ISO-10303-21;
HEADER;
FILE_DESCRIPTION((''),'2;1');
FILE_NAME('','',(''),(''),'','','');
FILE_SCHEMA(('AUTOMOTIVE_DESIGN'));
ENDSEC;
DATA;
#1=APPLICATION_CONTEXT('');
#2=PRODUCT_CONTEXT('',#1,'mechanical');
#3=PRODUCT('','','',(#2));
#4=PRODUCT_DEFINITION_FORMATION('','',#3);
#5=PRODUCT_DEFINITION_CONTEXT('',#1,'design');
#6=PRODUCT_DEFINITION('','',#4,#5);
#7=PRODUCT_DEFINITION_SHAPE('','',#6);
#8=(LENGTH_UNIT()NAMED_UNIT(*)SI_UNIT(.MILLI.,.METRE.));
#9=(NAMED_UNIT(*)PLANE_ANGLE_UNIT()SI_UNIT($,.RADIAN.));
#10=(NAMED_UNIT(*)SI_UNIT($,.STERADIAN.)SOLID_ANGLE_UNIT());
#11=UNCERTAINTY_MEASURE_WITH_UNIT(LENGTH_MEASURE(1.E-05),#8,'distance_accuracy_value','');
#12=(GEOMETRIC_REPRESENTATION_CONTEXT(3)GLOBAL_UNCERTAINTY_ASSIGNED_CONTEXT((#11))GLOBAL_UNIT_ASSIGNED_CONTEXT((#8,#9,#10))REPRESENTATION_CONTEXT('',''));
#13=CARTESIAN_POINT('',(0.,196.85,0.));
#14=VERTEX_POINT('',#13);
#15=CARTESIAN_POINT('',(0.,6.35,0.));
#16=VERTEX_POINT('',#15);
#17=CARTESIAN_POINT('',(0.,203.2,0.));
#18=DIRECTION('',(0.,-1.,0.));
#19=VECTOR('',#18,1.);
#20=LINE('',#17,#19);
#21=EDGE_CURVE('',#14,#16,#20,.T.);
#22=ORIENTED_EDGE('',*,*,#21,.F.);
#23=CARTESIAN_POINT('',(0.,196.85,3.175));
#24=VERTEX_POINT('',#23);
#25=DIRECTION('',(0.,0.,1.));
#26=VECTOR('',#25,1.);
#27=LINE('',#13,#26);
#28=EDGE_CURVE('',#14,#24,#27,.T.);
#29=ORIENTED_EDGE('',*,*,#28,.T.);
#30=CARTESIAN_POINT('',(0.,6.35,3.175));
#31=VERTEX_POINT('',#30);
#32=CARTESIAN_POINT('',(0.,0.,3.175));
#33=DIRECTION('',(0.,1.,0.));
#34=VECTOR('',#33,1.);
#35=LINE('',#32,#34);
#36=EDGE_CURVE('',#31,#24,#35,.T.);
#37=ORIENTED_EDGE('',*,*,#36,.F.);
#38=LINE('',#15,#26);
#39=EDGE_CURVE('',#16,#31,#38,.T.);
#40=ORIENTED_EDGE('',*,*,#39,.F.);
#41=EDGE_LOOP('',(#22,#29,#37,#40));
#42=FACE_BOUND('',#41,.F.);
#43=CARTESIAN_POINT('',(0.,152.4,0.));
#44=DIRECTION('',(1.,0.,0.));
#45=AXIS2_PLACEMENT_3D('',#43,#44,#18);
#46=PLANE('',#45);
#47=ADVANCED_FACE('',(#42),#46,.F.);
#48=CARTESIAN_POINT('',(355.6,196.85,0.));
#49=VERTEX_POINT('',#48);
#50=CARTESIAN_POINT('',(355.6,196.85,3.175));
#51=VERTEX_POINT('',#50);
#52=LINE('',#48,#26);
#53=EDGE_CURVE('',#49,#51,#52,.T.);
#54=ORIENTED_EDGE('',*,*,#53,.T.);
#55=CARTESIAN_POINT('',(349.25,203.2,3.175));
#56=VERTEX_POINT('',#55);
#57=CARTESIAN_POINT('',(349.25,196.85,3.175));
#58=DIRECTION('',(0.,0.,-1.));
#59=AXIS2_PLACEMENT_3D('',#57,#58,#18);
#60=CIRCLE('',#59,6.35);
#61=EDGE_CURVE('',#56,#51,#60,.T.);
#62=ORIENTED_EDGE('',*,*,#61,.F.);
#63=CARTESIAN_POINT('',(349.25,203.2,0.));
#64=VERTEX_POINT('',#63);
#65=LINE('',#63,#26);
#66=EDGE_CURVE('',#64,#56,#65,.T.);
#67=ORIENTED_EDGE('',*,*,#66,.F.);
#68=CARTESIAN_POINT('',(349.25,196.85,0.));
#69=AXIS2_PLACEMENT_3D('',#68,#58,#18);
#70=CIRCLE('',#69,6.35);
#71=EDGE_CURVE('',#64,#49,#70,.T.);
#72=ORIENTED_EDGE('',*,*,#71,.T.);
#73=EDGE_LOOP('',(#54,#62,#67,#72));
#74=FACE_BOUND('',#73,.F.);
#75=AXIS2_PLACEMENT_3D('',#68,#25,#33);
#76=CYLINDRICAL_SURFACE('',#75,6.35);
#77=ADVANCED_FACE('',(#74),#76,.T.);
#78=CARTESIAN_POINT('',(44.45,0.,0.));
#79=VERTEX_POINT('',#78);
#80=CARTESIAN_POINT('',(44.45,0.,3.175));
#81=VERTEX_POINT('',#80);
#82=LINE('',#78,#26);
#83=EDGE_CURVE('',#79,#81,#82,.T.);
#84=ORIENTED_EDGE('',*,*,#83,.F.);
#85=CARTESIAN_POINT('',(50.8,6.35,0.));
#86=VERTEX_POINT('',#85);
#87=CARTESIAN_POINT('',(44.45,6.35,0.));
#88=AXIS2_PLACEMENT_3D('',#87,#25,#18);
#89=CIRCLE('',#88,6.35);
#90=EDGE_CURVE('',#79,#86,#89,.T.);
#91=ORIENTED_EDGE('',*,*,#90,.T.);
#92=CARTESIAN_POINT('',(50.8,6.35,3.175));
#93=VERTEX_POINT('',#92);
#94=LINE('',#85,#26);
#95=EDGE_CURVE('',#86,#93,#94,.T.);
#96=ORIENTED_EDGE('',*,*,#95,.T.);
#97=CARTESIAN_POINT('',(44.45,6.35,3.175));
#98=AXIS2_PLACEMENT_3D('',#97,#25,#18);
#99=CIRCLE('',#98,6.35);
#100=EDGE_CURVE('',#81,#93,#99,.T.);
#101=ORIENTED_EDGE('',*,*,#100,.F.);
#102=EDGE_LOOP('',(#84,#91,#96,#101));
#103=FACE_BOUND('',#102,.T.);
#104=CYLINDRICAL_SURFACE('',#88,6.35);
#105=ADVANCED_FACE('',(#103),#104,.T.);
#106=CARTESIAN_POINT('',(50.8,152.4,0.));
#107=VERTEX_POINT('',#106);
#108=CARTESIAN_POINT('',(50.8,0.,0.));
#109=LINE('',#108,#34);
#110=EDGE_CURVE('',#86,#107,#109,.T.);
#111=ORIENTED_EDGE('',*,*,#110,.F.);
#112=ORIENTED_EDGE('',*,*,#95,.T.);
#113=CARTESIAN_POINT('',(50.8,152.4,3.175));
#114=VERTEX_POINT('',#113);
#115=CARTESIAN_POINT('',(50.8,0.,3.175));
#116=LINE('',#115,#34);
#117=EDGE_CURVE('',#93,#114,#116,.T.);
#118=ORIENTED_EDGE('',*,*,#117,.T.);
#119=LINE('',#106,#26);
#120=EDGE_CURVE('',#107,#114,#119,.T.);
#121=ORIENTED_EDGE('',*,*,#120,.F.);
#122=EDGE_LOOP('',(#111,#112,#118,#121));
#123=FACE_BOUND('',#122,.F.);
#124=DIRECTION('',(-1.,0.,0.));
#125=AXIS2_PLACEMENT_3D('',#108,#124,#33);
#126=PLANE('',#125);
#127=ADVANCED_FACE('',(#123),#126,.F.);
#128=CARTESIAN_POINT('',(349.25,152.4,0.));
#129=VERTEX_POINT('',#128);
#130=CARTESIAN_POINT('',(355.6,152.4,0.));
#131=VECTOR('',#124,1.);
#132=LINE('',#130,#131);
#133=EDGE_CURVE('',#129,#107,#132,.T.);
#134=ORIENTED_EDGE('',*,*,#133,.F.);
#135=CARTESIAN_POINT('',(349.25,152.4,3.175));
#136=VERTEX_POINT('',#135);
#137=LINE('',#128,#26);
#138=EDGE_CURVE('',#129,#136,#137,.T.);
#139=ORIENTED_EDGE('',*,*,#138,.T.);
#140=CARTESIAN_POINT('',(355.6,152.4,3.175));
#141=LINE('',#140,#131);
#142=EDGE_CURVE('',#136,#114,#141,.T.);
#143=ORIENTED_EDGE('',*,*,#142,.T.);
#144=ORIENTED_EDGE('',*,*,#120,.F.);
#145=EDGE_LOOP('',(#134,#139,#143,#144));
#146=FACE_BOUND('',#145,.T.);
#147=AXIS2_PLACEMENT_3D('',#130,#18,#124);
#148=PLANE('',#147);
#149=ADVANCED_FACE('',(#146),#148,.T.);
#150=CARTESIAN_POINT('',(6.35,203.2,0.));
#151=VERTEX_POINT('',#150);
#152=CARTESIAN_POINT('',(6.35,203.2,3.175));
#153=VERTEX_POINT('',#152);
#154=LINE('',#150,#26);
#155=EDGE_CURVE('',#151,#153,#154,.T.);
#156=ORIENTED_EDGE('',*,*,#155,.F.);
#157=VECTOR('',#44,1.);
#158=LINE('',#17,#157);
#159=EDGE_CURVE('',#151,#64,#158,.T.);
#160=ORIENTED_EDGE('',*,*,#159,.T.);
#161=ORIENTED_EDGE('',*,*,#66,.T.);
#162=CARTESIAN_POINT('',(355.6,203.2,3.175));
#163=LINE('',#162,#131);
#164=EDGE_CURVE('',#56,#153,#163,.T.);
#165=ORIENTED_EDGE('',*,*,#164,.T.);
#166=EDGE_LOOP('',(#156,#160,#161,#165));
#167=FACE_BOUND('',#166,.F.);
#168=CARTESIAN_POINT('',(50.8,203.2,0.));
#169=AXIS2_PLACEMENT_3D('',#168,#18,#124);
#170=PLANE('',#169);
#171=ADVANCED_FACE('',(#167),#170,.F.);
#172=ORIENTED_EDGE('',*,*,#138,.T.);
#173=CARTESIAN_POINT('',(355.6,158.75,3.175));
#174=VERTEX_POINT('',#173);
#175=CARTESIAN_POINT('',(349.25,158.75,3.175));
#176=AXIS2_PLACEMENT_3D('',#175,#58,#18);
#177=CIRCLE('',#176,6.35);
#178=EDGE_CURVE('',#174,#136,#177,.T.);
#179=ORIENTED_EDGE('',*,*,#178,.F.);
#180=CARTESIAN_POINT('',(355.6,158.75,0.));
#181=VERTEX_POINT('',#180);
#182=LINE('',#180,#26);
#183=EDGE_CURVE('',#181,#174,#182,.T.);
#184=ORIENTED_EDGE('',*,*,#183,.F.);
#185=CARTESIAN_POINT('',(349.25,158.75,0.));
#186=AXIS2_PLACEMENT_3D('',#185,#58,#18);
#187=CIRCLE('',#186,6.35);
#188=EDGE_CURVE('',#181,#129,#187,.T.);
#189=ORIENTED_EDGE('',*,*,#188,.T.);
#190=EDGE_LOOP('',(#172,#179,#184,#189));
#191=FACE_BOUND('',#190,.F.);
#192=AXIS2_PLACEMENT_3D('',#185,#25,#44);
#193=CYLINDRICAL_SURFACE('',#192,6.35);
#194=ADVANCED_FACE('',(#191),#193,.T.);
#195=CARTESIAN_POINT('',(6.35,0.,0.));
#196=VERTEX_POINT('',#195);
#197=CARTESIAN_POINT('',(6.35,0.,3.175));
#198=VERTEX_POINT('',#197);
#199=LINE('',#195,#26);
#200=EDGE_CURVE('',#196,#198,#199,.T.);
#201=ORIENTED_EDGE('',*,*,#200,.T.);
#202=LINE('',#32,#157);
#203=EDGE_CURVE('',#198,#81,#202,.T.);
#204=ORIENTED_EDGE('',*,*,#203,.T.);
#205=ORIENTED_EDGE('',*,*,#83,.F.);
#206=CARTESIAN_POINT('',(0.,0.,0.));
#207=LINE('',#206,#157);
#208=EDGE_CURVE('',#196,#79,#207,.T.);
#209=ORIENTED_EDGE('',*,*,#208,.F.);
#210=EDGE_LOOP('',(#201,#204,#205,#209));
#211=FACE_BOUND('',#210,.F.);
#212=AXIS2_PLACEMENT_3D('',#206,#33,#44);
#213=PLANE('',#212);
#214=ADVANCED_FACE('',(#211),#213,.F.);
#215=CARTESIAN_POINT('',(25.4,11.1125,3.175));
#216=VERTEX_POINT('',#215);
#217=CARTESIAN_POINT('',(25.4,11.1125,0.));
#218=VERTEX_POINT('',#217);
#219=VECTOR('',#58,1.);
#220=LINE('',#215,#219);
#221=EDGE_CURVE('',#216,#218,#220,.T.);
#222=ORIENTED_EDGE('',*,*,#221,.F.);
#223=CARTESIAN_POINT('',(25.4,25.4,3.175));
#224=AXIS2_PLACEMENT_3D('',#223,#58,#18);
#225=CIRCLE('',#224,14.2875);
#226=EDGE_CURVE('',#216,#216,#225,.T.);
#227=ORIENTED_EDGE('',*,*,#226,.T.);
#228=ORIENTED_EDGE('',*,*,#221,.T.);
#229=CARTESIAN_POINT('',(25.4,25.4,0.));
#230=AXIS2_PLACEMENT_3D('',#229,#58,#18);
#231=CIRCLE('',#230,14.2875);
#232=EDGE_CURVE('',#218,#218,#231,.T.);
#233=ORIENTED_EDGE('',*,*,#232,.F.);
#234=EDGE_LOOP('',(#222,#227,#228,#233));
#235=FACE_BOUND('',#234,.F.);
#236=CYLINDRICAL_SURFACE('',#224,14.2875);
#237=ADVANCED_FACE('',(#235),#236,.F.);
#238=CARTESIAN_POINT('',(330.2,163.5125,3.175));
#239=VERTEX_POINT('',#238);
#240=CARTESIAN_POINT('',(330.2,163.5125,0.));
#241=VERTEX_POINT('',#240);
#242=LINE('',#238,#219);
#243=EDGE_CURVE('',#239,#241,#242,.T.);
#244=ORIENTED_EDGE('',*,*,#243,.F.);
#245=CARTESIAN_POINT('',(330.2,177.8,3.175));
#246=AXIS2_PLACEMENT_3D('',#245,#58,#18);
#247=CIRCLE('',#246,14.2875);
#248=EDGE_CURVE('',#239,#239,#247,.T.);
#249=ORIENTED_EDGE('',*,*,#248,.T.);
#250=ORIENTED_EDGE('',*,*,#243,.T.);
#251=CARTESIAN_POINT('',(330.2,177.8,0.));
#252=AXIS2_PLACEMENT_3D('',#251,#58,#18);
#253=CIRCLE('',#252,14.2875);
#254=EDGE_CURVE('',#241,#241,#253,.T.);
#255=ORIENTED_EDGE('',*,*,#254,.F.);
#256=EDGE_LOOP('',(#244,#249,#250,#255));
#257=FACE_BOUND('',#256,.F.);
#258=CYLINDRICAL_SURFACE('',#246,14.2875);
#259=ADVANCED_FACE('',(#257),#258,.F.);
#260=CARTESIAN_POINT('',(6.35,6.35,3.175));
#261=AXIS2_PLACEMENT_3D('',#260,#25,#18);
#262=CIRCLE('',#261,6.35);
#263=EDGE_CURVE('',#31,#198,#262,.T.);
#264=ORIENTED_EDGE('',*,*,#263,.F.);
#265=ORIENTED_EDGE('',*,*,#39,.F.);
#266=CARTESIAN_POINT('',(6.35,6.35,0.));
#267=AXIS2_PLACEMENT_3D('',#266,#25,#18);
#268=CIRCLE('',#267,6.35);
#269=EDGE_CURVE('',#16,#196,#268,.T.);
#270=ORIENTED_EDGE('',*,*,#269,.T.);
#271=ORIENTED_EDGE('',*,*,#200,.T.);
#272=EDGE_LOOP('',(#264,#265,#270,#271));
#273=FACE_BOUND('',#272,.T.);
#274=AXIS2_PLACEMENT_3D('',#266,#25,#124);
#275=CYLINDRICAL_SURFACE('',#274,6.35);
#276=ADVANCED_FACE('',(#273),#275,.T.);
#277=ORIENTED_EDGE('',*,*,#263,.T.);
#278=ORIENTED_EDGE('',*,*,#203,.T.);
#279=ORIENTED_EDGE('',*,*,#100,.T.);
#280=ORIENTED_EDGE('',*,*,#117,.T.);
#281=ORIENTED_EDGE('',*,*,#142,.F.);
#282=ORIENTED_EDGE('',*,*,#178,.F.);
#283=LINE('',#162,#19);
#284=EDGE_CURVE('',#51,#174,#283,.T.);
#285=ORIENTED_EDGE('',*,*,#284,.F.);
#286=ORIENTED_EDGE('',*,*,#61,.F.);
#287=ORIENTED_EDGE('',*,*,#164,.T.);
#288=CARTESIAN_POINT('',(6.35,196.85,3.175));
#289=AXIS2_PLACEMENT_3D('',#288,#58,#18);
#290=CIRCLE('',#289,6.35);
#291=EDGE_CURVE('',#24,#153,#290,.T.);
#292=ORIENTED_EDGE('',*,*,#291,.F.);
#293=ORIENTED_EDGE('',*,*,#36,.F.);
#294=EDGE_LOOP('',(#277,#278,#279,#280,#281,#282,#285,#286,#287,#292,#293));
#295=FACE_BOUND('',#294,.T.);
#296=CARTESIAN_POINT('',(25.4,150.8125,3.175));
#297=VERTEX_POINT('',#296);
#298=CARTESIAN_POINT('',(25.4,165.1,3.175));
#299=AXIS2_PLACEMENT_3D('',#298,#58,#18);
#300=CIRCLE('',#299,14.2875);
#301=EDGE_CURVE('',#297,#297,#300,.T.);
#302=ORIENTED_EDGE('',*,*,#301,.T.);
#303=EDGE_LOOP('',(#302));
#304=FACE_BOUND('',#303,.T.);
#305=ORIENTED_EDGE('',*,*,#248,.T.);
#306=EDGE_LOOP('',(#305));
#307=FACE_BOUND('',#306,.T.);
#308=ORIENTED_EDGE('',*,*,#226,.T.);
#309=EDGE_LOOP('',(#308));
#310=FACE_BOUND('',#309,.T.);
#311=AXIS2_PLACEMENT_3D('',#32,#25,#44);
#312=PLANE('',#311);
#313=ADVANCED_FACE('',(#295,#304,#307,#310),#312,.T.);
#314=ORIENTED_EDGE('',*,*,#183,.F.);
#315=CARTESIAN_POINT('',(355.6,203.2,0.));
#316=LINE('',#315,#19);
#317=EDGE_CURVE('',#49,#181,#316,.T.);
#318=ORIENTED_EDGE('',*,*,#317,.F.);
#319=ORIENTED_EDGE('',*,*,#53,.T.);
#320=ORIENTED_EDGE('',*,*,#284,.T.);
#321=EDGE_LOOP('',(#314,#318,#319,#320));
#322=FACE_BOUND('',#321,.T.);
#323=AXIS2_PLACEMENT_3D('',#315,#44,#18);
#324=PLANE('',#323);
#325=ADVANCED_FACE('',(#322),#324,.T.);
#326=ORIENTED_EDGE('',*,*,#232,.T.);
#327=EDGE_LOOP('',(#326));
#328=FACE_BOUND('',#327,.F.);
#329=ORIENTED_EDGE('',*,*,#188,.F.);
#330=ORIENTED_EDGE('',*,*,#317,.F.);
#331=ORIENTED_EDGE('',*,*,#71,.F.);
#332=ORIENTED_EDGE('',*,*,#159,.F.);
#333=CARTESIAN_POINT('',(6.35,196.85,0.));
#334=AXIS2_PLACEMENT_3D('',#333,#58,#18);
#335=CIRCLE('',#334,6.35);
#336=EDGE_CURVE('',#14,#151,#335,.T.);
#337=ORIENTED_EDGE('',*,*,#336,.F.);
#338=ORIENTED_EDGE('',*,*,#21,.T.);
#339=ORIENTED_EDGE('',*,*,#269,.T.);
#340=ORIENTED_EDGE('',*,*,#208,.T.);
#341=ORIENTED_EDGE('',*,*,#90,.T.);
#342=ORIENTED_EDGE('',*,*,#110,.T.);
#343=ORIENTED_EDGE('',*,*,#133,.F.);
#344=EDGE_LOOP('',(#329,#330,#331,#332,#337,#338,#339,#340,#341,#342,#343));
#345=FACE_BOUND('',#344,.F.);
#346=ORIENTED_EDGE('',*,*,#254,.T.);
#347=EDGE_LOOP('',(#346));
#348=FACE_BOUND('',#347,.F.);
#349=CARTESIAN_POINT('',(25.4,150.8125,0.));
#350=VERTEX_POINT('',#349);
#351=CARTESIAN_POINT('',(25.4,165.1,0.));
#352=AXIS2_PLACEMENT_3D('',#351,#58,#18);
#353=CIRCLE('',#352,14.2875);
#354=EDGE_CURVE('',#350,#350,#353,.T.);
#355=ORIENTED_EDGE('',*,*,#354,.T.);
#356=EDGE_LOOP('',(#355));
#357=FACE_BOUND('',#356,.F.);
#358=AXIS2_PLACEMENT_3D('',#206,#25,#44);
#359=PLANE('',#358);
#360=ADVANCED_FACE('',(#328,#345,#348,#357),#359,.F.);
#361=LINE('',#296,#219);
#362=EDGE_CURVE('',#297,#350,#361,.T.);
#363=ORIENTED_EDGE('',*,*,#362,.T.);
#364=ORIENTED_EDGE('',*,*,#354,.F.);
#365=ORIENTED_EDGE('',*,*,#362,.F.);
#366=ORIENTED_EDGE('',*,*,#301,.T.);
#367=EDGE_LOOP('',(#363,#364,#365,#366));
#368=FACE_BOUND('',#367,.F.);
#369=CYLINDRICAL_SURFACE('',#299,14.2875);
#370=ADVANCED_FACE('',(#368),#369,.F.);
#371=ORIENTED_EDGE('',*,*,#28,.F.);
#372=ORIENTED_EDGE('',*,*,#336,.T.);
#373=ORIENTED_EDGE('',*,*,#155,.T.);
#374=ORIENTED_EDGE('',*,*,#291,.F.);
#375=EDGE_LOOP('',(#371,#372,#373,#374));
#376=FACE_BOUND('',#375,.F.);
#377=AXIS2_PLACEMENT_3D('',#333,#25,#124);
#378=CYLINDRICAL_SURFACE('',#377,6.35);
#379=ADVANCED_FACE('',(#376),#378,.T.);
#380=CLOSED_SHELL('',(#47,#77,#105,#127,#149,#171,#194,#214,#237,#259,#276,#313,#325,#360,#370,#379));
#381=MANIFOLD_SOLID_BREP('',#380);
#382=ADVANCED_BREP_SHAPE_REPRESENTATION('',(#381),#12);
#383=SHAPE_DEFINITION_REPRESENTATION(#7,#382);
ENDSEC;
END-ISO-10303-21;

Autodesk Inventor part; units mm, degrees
ref_plane "YZ Plane" through (0, 0, 0) normal (1, 0, 0) x (0, 1, 0)
ref_plane "XZ Plane" through (0, 0, 0) normal (0, 1, 0) x (-1, 0, 0)
ref_plane "XY Plane" through (0, 0, 0) normal (0, 0, 1) x (1, 0, 0)
sketch "Sketch1" plane through (0, 0, 0) normal (0, 0, 1) x (1, 0, 0)
  line L0 (0, 0) -> (50.8, 0)
  line L1 (50.8, 0) -> (50.8, 152.4)
  line L2 (50.8, 203.2) -> (0, 203.2)
  line L3 (0, 203.2) -> (0, 0)
  line L4 (0, 203.2) -> (355.6, 203.2)
  line L5 (355.6, 203.2) -> (355.6, 152.4)
  line L6 (355.6, 152.4) -> (50.8, 152.4)
  line L7 (0, 152.4) -> (0, 203.2)
  dimension "d0" = 50.8
  dimension "d1" = 203.2
  dimension "d2" = 355.6
  dimension "d3" = 50.8
extrude "Extrusion1" add sketch "Sketch1" along normal blind 3.175
sketch "Sketch2" plane through (0, 0, 3.175) normal (0, 0, 1) x (1, 0, 0)
  line L0 (355.6, 203.2) -> (0, 203.2) projected
  line L1 (0, 203.2) -> (0, 0) projected
  point P0 (25.4, 165.1)
  dimension "d20" = 38.1
  dimension "d21" = 25.4
hole "Hole1" at (25.4, 165.1, 3.175) direction (0, 0, -1) diameter 28.575 end through all
sketch "Sketch3" plane through (0, 0, 3.175) normal (0, 0, 1) x (1, 0, 0)
  line L0 (50.8, 0) -> (50.8, 152.4) projected
  line L1 (0, 0) -> (50.8, 0) projected
  point P0 (25.4, 25.4)
  dimension "d22" = 25.4
  dimension "d23" = 25.4
hole "Hole2" at (25.4, 25.4, 3.175) direction (0, 0, -1) diameter 28.575 end through all
fillet "Fillet1" radius 6.35 5 edges at (355.6, 152.4, 1.5875) (355.6, 203.2, 1.5875) (50.8, 0, 1.5875) (0, 0, 1.5875) (0, 203.2, 1.5875)
sketch "Sketch4" plane through (0, 0, 3.175) normal (0, 0, 1) x (1, 0, 0)
  line L0 (349.25, 203.2) -> (6.35, 203.2) projected
  line L1 (355.6, 158.75) -> (355.6, 196.85) projected
  point P0 (0, 0)
  point P1 (330.2, 177.8)
  dimension "d32" = 25.4
  dimension "d33" = 25.4
hole "Hole3" at (330.2, 177.8, 3.175) direction (0, 0, -1) diameter 28.575 end through all
properties part number "Arm"
